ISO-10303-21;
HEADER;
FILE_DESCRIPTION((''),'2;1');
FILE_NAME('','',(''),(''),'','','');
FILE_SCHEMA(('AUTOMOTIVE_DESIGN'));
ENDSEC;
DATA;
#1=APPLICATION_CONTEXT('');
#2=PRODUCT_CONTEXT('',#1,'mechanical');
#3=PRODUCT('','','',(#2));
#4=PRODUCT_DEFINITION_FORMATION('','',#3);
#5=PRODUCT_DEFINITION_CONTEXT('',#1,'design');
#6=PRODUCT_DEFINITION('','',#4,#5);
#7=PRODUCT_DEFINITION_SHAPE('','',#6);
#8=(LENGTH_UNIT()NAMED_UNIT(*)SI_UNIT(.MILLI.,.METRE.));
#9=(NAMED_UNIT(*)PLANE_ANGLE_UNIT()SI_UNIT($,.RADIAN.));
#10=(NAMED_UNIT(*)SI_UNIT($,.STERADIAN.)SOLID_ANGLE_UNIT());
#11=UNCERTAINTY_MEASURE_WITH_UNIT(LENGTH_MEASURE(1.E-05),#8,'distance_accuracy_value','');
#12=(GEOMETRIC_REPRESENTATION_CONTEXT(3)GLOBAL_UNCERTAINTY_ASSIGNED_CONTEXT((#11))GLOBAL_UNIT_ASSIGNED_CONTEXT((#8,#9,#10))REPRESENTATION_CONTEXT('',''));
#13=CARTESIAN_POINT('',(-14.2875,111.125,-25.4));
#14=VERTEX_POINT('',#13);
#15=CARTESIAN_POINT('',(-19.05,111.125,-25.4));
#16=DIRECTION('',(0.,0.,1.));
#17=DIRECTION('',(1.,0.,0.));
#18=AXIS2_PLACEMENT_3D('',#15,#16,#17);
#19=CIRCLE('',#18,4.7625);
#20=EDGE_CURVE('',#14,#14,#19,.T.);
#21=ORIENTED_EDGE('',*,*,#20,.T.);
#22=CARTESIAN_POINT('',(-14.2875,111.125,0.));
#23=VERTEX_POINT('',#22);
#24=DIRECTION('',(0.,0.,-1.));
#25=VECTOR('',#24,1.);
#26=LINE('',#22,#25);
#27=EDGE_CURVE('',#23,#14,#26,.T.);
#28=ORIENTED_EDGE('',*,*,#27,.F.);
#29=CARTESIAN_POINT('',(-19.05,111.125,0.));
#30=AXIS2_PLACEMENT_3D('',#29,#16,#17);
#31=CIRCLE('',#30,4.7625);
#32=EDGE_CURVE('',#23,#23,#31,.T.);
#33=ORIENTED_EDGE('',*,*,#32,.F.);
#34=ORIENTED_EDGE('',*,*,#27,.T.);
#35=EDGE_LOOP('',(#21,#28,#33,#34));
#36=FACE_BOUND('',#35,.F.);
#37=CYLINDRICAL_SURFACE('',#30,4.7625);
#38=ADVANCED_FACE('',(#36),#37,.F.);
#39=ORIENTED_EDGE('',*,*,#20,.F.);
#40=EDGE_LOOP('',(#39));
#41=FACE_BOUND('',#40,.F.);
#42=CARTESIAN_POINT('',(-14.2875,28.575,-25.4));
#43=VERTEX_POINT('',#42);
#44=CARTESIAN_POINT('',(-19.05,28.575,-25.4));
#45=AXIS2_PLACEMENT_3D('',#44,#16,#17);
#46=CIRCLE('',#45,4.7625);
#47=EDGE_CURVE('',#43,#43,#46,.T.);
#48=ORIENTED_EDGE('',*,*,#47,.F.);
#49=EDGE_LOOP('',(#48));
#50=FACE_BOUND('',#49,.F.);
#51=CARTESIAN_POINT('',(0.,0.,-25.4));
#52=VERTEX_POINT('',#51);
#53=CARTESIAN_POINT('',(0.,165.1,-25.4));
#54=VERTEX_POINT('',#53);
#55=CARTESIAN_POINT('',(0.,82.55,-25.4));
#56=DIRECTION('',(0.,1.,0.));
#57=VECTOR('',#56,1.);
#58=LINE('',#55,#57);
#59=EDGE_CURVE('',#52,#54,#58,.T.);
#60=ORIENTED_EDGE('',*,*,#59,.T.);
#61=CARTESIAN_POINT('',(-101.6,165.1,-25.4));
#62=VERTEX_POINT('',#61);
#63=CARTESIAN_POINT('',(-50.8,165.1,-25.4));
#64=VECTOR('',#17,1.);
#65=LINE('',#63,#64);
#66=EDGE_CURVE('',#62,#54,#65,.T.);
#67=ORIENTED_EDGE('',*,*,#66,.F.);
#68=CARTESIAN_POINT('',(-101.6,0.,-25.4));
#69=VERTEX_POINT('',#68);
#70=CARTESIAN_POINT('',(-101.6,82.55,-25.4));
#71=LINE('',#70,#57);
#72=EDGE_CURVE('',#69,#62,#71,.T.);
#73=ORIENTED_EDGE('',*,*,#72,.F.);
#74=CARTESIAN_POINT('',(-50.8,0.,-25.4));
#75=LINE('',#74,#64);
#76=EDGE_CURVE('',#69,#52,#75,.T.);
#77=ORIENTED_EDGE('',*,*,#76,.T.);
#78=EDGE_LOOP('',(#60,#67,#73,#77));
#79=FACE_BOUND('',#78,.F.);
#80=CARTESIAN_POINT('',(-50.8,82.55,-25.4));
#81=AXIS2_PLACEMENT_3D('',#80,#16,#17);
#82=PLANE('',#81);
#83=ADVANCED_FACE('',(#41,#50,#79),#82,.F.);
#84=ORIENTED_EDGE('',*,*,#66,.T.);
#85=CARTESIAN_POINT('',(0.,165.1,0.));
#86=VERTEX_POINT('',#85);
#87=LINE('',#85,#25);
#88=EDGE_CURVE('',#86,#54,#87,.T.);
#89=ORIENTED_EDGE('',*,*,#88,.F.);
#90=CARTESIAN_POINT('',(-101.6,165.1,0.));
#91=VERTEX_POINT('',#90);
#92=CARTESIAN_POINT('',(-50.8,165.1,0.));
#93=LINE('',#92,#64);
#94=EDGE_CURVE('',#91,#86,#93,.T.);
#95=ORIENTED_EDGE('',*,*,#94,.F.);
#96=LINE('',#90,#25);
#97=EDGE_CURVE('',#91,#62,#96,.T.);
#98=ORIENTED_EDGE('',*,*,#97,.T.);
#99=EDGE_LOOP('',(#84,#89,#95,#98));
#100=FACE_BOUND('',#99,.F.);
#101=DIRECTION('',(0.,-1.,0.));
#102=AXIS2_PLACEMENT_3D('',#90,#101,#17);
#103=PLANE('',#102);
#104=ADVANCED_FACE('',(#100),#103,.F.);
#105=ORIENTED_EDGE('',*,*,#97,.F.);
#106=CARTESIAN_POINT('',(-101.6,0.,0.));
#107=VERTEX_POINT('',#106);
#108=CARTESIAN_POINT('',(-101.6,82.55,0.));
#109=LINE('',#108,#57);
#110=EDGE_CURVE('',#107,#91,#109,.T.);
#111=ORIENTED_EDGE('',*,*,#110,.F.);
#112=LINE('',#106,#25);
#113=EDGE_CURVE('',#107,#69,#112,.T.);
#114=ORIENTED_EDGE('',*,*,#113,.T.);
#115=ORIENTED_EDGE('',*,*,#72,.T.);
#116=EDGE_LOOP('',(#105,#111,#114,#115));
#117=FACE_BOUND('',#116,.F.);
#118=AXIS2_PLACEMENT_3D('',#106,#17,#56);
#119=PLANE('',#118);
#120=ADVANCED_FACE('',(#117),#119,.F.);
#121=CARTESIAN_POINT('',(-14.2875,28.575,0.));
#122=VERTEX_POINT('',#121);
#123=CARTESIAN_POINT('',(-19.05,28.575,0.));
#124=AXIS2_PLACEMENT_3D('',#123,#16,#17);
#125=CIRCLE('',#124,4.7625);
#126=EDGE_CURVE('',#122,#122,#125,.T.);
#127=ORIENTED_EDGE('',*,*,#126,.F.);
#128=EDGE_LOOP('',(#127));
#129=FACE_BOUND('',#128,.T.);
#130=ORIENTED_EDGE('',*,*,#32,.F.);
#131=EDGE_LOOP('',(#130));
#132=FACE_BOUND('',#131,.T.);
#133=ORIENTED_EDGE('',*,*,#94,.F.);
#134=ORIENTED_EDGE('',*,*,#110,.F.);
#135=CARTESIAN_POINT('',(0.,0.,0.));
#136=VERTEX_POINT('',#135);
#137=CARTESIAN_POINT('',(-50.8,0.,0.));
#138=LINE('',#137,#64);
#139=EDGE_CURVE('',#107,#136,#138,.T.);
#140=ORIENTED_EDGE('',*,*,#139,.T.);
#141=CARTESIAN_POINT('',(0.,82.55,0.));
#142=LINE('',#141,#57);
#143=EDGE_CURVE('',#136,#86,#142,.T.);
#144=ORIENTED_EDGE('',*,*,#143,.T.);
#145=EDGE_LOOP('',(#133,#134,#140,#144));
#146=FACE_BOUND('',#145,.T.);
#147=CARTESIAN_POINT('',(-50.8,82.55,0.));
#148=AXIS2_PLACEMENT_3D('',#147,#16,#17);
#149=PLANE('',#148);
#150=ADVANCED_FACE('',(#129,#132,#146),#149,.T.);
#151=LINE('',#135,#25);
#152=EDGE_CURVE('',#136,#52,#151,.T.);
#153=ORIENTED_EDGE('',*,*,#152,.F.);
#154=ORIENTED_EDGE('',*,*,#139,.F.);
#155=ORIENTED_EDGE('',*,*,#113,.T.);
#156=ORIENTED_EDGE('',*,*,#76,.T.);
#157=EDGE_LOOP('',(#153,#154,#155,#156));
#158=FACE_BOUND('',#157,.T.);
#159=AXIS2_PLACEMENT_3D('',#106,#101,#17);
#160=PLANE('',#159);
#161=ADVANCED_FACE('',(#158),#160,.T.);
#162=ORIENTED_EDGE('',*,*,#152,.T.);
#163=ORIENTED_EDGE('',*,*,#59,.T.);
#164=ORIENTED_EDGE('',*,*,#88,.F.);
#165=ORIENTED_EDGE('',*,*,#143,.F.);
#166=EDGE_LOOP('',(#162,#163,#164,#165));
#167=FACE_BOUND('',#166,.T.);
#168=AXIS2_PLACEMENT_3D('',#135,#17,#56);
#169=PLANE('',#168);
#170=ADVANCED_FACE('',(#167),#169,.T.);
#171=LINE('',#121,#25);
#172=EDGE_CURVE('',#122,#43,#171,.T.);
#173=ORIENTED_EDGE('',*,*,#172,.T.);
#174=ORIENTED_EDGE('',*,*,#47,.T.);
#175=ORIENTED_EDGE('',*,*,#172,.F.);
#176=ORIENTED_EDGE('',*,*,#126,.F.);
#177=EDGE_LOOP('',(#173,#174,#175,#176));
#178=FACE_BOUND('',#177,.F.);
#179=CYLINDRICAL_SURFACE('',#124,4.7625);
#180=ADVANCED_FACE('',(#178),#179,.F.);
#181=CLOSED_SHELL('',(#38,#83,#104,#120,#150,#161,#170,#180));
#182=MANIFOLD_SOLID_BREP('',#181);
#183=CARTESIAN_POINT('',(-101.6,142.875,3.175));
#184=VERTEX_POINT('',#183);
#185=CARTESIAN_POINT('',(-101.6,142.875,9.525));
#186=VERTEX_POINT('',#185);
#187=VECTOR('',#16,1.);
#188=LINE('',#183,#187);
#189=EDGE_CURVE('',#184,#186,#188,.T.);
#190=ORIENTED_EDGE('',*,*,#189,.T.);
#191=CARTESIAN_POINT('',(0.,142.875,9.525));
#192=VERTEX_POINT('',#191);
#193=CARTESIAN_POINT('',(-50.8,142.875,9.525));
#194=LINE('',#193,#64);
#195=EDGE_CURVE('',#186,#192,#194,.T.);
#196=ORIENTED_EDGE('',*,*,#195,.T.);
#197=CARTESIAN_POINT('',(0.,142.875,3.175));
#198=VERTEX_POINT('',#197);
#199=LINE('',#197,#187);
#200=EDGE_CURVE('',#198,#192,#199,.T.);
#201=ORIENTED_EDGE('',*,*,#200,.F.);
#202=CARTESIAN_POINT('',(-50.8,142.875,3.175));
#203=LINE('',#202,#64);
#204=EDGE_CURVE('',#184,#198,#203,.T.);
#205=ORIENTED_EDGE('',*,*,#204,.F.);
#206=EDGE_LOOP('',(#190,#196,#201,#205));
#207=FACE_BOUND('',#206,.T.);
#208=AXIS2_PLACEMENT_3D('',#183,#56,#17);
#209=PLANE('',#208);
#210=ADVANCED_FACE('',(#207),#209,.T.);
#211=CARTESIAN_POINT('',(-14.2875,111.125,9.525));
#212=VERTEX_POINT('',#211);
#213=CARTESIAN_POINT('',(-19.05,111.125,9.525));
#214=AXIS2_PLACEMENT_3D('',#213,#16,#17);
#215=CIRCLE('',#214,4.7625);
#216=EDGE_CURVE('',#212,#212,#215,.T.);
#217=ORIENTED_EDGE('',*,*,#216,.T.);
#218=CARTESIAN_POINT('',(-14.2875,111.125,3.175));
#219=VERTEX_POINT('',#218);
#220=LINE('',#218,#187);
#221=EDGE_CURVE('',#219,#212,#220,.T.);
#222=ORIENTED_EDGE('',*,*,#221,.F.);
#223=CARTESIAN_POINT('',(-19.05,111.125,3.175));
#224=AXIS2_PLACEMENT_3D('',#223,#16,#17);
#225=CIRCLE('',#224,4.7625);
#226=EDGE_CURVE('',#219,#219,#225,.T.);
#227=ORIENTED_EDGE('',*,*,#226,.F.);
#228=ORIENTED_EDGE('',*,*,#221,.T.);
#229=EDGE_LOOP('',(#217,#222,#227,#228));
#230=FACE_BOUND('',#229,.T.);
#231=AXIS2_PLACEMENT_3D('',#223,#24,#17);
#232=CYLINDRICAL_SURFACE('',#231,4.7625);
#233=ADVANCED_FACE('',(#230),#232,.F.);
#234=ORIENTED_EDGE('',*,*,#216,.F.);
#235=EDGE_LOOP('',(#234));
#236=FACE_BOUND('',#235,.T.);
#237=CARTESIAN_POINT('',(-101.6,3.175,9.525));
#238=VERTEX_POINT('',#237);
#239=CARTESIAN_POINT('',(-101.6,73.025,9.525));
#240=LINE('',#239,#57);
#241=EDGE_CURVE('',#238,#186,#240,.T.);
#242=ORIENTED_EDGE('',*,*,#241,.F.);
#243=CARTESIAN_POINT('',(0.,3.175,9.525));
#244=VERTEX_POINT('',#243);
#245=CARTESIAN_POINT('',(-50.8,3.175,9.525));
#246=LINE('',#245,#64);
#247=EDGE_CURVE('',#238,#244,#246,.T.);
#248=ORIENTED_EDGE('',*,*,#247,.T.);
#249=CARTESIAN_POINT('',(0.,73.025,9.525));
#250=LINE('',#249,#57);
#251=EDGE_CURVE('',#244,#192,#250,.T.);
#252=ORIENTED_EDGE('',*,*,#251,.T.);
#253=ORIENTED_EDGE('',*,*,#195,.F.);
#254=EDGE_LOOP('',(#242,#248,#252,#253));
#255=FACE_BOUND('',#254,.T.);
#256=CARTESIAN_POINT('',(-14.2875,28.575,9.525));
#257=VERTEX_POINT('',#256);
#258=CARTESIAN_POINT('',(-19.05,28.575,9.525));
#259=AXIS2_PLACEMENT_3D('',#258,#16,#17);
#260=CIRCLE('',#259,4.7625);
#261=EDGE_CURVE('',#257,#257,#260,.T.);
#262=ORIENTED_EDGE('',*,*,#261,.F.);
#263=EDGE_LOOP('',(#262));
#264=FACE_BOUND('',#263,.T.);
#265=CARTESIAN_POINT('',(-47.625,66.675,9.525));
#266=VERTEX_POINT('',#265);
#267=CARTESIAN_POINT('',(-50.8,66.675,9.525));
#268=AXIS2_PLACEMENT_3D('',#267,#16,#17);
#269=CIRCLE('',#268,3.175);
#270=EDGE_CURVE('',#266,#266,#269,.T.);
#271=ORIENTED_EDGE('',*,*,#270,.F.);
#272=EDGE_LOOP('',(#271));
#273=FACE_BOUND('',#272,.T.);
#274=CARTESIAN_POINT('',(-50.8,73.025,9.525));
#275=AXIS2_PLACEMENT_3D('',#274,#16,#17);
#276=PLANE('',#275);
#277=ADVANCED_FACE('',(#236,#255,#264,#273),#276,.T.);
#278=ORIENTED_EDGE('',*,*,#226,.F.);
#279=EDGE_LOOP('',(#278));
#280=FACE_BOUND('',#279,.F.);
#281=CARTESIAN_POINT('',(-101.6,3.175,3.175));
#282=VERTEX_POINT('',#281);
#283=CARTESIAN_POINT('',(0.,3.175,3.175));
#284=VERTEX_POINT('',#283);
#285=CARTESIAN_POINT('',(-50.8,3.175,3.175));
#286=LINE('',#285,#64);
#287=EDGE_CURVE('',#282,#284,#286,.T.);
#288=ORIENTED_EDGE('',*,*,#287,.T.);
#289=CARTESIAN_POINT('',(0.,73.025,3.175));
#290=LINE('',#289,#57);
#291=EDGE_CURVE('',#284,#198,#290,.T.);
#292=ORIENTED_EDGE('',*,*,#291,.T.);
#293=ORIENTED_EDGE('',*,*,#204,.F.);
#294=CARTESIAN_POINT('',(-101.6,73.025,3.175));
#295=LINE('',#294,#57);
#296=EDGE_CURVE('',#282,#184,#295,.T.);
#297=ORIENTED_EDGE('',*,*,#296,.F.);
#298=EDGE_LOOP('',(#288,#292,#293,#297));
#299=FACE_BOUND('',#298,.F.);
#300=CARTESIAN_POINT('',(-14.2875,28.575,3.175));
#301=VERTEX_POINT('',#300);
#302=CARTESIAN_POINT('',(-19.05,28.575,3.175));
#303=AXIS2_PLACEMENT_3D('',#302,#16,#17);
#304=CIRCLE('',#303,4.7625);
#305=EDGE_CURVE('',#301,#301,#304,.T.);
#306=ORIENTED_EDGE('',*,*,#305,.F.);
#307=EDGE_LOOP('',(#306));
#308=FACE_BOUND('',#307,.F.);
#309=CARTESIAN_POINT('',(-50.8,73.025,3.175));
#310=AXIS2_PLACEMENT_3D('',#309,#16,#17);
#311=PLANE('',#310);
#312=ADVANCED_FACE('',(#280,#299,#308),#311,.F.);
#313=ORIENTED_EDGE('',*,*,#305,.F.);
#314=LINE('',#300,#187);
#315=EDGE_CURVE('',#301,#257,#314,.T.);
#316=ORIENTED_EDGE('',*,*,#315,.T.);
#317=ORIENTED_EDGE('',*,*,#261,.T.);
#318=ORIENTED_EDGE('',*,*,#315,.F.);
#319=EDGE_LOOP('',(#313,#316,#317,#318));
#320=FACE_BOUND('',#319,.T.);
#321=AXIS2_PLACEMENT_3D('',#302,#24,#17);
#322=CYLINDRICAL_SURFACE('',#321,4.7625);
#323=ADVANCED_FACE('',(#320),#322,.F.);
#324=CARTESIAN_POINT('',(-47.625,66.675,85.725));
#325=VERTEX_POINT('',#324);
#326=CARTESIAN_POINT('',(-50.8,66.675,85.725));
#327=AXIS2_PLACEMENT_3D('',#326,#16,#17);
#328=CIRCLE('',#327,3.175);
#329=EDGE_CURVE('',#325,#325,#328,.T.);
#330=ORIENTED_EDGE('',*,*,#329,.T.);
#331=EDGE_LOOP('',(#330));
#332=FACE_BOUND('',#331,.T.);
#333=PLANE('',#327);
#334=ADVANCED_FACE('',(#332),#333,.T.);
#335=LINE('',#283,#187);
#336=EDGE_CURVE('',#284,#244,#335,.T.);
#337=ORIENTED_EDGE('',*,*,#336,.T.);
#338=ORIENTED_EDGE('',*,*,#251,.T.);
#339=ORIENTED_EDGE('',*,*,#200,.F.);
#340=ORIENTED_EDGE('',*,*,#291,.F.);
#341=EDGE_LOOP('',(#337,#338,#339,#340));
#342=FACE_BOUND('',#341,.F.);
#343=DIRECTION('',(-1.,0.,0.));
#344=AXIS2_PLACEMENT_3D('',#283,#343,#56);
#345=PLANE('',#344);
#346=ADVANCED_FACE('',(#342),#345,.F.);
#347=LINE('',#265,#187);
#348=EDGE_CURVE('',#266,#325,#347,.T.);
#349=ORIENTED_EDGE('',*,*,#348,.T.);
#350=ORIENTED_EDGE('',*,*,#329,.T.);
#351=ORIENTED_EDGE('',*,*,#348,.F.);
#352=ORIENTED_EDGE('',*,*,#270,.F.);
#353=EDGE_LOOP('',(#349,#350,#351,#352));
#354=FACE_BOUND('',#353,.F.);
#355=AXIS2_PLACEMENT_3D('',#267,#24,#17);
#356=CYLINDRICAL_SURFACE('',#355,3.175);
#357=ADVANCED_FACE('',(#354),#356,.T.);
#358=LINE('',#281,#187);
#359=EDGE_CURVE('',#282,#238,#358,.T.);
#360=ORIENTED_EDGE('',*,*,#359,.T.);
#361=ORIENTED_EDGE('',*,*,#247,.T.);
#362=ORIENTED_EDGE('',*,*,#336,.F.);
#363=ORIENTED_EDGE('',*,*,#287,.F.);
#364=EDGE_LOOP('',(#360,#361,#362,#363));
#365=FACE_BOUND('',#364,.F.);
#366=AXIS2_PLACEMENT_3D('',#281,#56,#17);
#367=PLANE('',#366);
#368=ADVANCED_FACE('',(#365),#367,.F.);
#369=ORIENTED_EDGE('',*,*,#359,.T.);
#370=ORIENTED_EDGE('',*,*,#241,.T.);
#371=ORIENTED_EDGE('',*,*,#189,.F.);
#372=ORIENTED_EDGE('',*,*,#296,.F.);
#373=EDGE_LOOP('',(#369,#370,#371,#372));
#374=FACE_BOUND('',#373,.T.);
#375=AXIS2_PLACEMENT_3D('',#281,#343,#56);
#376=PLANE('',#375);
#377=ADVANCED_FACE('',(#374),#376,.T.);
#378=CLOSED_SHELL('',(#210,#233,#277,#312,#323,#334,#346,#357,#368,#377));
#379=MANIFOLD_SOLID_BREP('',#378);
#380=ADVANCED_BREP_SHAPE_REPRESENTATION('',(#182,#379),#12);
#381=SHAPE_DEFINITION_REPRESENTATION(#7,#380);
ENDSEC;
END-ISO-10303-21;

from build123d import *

# Parameters (mm, degrees)
F1_W     = 101.6
F1_H     = 165.1
F1_R     = 4.7625
F2_DEPTH = 25.4
F3_W     = 101.6
F3_H     = 139.7
F3_R     = 4.7625
F4_DEPTH = 6.35
F5_R     = 3.175
F6_DEPTH = 76.2


with BuildPart() as f2:
    # F1 (on Top) → F2 (new body)
    with BuildSketch(Plane.XY):
        with Locations((-50.8, 82.55)):
            Rectangle(F1_W, F1_H)
        with Locations((-19.05, 28.575)):
            Circle(F1_R, mode=Mode.SUBTRACT)
        with Locations((-19.05, 111.125)):
            Circle(F1_R, mode=Mode.SUBTRACT)
    extrude(amount=-F2_DEPTH)


with BuildPart() as f4:
    # F3 (on offset) → F4 (new body)
    with BuildSketch(Plane.XY.offset(3.175)):
        with Locations((-50.8, 73.025)):
            Rectangle(F3_W, F3_H)
        with Locations((-19.05, 28.575)):
            Circle(F3_R, mode=Mode.SUBTRACT)
        with Locations((-19.05, 111.125)):
            Circle(F3_R, mode=Mode.SUBTRACT)
    extrude(amount=F4_DEPTH)

    # F5 (on face) → F6 (join)
    with BuildSketch(Plane.XY.offset(9.525)):
        with Locations((-50.8, 66.675)):
            Circle(F5_R)
    extrude(amount=F6_DEPTH)


solid = Compound([f2.part, f4.part])
